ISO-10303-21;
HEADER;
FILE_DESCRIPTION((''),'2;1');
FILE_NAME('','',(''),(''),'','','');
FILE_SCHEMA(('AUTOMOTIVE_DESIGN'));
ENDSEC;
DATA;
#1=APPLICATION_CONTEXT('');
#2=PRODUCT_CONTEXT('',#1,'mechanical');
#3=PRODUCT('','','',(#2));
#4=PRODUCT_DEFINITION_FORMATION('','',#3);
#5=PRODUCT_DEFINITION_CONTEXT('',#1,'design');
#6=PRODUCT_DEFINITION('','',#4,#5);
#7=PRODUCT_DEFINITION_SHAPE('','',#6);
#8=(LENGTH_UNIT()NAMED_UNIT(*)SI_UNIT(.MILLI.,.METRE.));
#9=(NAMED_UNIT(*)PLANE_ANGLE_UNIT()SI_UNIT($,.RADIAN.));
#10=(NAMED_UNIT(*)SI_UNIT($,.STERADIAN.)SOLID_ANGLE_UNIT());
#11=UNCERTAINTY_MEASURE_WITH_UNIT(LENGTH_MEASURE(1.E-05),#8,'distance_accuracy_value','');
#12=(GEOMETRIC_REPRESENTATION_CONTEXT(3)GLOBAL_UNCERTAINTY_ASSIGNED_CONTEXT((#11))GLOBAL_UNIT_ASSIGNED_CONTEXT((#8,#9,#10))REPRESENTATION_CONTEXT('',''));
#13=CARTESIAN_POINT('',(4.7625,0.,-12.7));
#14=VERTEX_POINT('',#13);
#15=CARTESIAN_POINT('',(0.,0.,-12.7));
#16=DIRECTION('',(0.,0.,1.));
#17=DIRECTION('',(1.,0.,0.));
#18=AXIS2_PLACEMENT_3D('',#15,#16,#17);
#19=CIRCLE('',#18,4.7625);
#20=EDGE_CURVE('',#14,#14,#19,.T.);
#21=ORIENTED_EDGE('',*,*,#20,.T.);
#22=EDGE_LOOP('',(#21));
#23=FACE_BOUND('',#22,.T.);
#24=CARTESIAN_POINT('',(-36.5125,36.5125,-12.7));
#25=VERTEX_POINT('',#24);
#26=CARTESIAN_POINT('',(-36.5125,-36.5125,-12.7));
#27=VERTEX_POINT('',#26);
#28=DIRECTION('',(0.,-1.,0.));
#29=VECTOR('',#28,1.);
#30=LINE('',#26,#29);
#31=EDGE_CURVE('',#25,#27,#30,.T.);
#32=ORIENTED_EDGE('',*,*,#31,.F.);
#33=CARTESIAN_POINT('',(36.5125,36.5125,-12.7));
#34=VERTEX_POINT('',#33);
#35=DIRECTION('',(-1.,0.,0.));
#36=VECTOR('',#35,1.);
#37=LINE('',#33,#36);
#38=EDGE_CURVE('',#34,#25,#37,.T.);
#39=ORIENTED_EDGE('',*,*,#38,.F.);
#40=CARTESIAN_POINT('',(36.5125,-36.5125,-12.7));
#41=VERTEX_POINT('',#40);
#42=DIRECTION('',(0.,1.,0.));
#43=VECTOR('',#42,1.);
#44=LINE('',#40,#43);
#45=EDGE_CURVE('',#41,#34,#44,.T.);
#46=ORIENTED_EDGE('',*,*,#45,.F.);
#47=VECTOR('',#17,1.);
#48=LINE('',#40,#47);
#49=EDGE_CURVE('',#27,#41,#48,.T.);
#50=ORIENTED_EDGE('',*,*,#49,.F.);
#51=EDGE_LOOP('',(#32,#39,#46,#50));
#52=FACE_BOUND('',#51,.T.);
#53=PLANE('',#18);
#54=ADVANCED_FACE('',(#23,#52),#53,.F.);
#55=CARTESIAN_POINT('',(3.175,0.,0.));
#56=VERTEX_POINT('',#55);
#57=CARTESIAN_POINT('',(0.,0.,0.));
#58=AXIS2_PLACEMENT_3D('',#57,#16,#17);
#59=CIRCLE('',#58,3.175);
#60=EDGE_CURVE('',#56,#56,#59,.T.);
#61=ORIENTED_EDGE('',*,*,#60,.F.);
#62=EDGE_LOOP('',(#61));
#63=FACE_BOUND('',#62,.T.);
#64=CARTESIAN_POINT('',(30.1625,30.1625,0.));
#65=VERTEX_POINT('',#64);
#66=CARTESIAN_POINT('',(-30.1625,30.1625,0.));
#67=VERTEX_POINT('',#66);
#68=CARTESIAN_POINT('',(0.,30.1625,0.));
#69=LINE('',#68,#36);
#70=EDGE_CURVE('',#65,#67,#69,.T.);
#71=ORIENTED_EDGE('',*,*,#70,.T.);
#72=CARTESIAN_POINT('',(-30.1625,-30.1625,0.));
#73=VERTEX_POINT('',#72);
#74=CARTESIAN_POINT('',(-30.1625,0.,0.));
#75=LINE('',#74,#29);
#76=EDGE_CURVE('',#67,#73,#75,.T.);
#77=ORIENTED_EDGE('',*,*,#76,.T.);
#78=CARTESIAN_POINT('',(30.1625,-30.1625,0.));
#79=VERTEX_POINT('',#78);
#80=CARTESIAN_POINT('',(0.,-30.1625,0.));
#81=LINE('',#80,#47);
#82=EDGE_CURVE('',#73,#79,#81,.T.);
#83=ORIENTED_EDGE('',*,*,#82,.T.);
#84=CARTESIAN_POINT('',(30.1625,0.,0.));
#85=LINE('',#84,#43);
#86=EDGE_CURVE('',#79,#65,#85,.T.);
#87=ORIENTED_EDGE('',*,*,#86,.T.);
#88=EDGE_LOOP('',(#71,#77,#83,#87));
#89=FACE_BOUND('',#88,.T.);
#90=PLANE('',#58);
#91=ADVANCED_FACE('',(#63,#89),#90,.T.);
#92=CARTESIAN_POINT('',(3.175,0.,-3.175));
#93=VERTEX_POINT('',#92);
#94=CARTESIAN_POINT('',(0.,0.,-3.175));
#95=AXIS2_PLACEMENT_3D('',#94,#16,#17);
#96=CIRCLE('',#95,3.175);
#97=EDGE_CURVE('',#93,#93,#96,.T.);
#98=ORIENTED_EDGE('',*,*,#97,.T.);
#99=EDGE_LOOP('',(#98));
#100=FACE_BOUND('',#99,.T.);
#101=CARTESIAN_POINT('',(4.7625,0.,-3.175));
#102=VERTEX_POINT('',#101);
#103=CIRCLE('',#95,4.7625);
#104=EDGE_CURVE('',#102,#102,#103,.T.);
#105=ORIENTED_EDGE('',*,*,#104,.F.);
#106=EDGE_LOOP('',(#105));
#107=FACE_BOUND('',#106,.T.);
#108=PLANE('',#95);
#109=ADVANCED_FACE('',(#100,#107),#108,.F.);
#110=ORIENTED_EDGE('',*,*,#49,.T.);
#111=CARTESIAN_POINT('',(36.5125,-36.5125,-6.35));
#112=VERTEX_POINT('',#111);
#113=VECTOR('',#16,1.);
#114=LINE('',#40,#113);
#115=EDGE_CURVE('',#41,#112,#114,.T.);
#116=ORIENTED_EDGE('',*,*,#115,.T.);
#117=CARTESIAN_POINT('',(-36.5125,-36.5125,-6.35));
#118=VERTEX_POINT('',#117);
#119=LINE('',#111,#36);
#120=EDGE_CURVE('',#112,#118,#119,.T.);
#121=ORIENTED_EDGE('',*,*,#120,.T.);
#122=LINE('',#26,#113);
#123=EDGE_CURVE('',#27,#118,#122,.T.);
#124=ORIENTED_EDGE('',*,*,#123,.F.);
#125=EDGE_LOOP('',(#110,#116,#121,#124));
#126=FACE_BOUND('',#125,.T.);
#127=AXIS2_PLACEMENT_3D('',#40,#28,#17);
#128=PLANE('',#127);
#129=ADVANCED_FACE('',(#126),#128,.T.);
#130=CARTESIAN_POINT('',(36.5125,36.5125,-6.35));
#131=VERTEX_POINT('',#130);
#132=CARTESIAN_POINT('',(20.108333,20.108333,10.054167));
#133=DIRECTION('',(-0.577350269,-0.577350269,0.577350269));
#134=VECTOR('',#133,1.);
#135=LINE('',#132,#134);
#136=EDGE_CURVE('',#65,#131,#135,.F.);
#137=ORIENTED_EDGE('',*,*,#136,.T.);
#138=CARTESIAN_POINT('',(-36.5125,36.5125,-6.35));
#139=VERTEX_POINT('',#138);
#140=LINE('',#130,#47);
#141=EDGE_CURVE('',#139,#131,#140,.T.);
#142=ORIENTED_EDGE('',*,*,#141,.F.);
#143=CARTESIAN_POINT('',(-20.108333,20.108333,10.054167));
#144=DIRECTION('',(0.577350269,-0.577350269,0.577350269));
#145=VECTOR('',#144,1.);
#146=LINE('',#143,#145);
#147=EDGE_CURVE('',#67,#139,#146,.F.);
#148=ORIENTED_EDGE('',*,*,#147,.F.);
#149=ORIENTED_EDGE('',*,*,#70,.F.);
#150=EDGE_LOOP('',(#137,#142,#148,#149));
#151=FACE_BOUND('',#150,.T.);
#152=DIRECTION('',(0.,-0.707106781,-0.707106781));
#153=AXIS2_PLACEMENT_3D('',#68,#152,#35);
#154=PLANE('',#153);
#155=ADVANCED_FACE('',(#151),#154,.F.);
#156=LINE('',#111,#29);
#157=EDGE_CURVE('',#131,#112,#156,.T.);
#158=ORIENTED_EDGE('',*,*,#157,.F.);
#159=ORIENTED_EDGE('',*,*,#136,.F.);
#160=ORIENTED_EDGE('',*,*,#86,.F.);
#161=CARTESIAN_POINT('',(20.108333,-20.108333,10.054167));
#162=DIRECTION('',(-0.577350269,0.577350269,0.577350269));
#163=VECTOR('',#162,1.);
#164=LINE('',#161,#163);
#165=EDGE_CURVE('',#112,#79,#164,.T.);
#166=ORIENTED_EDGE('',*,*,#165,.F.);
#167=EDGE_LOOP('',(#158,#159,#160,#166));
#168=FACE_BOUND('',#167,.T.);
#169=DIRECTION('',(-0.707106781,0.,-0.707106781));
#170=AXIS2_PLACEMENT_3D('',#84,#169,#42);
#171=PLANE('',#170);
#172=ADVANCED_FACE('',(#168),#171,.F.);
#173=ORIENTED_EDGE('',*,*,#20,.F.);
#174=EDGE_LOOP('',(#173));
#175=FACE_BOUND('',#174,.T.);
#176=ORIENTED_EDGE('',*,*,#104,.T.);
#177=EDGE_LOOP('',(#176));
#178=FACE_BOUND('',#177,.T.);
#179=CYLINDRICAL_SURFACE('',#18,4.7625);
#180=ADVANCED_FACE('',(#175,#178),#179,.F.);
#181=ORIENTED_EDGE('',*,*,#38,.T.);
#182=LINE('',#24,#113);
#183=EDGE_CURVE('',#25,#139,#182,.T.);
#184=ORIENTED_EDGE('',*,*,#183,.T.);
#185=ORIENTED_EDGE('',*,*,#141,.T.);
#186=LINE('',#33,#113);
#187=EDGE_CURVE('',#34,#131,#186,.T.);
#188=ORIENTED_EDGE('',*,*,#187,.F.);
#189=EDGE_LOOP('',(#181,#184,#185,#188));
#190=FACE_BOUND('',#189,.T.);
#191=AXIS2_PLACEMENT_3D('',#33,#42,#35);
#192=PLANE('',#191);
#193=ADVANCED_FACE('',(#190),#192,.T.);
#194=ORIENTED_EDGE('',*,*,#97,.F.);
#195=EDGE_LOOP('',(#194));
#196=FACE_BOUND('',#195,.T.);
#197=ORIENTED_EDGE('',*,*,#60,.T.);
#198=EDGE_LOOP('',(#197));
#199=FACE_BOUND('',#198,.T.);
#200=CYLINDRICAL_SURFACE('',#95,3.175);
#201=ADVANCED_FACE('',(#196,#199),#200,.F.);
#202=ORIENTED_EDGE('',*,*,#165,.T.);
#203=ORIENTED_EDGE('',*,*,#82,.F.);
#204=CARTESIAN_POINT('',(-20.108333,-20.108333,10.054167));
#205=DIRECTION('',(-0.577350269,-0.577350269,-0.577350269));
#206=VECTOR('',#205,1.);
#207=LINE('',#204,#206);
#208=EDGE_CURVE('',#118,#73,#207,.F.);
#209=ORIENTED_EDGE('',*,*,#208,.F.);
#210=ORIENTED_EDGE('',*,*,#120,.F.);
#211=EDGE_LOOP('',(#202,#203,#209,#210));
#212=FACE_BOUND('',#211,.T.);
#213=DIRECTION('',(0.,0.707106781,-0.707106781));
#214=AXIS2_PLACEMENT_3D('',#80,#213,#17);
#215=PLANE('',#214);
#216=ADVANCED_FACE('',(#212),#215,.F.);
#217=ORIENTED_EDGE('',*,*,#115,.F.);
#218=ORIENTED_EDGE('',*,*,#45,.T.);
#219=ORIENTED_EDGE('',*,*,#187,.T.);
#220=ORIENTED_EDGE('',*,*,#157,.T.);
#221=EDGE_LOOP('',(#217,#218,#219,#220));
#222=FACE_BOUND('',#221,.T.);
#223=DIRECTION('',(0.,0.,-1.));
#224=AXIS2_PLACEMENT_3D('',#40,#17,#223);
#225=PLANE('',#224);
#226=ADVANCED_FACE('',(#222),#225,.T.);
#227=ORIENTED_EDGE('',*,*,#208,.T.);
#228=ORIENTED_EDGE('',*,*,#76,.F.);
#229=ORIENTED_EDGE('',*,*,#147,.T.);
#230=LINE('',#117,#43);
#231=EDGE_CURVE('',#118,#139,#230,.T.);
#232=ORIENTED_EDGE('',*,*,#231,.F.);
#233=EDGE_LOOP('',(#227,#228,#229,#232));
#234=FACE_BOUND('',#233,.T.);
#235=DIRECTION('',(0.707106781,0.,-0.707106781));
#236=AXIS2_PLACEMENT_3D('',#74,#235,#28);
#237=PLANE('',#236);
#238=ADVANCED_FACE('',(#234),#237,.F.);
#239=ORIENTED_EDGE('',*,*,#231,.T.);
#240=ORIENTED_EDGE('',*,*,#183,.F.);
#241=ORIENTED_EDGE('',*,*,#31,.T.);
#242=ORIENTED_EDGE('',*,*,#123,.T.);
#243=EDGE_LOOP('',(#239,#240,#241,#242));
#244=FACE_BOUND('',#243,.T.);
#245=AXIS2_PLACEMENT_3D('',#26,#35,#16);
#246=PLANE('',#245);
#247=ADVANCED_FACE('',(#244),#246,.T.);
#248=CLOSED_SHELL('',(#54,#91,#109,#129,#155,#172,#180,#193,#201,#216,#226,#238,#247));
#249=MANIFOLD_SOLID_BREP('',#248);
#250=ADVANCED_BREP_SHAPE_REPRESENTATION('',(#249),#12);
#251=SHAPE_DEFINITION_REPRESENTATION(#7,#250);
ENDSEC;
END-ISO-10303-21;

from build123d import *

# Parameters (mm, degrees)
SKETCH1_W           = 73.025
SKETCH1_H           = 73.025
BOSS_EXTRUDE1_DEPTH = 12.7
SKETCH2_R           = 3.175
CUT_EXTRUDE1_DEPTH  = 3.175
SKETCH3_R           = 4.7625
CUT_EXTRUDE2_DEPTH  = 10.525
CHAMFER1_SIZE       = 6.35


with BuildPart() as part:
    # Sketch1 → Boss-Extrude1 (new body)
    with BuildSketch(Plane.XY):
        Rectangle(SKETCH1_W, SKETCH1_H)
    extrude(amount=-BOSS_EXTRUDE1_DEPTH)

    # Sketch2 → Cut-Extrude1 (cut)
    with BuildSketch(Plane.XY):
        Circle(SKETCH2_R)
    extrude(amount=-CUT_EXTRUDE1_DEPTH, mode=Mode.SUBTRACT)

    # Sketch3 → Cut-Extrude2 (cut, through all)
    with BuildSketch(Plane.XY.offset(-3.175)):
        Circle(SKETCH3_R)
    extrude(amount=-CUT_EXTRUDE2_DEPTH, mode=Mode.SUBTRACT)

    # Chamfer1
    chamfer1_edges = [part.edges().sort_by_distance(p)[0] for p in [
        (0, 36.5125, 0),
        (36.5125, 0, 0),
        (0, -36.5125, 0),
        (-36.5125, 0, 0),
    ]]
    chamfer(chamfer1_edges, length=CHAMFER1_SIZE)


solid = part.part
